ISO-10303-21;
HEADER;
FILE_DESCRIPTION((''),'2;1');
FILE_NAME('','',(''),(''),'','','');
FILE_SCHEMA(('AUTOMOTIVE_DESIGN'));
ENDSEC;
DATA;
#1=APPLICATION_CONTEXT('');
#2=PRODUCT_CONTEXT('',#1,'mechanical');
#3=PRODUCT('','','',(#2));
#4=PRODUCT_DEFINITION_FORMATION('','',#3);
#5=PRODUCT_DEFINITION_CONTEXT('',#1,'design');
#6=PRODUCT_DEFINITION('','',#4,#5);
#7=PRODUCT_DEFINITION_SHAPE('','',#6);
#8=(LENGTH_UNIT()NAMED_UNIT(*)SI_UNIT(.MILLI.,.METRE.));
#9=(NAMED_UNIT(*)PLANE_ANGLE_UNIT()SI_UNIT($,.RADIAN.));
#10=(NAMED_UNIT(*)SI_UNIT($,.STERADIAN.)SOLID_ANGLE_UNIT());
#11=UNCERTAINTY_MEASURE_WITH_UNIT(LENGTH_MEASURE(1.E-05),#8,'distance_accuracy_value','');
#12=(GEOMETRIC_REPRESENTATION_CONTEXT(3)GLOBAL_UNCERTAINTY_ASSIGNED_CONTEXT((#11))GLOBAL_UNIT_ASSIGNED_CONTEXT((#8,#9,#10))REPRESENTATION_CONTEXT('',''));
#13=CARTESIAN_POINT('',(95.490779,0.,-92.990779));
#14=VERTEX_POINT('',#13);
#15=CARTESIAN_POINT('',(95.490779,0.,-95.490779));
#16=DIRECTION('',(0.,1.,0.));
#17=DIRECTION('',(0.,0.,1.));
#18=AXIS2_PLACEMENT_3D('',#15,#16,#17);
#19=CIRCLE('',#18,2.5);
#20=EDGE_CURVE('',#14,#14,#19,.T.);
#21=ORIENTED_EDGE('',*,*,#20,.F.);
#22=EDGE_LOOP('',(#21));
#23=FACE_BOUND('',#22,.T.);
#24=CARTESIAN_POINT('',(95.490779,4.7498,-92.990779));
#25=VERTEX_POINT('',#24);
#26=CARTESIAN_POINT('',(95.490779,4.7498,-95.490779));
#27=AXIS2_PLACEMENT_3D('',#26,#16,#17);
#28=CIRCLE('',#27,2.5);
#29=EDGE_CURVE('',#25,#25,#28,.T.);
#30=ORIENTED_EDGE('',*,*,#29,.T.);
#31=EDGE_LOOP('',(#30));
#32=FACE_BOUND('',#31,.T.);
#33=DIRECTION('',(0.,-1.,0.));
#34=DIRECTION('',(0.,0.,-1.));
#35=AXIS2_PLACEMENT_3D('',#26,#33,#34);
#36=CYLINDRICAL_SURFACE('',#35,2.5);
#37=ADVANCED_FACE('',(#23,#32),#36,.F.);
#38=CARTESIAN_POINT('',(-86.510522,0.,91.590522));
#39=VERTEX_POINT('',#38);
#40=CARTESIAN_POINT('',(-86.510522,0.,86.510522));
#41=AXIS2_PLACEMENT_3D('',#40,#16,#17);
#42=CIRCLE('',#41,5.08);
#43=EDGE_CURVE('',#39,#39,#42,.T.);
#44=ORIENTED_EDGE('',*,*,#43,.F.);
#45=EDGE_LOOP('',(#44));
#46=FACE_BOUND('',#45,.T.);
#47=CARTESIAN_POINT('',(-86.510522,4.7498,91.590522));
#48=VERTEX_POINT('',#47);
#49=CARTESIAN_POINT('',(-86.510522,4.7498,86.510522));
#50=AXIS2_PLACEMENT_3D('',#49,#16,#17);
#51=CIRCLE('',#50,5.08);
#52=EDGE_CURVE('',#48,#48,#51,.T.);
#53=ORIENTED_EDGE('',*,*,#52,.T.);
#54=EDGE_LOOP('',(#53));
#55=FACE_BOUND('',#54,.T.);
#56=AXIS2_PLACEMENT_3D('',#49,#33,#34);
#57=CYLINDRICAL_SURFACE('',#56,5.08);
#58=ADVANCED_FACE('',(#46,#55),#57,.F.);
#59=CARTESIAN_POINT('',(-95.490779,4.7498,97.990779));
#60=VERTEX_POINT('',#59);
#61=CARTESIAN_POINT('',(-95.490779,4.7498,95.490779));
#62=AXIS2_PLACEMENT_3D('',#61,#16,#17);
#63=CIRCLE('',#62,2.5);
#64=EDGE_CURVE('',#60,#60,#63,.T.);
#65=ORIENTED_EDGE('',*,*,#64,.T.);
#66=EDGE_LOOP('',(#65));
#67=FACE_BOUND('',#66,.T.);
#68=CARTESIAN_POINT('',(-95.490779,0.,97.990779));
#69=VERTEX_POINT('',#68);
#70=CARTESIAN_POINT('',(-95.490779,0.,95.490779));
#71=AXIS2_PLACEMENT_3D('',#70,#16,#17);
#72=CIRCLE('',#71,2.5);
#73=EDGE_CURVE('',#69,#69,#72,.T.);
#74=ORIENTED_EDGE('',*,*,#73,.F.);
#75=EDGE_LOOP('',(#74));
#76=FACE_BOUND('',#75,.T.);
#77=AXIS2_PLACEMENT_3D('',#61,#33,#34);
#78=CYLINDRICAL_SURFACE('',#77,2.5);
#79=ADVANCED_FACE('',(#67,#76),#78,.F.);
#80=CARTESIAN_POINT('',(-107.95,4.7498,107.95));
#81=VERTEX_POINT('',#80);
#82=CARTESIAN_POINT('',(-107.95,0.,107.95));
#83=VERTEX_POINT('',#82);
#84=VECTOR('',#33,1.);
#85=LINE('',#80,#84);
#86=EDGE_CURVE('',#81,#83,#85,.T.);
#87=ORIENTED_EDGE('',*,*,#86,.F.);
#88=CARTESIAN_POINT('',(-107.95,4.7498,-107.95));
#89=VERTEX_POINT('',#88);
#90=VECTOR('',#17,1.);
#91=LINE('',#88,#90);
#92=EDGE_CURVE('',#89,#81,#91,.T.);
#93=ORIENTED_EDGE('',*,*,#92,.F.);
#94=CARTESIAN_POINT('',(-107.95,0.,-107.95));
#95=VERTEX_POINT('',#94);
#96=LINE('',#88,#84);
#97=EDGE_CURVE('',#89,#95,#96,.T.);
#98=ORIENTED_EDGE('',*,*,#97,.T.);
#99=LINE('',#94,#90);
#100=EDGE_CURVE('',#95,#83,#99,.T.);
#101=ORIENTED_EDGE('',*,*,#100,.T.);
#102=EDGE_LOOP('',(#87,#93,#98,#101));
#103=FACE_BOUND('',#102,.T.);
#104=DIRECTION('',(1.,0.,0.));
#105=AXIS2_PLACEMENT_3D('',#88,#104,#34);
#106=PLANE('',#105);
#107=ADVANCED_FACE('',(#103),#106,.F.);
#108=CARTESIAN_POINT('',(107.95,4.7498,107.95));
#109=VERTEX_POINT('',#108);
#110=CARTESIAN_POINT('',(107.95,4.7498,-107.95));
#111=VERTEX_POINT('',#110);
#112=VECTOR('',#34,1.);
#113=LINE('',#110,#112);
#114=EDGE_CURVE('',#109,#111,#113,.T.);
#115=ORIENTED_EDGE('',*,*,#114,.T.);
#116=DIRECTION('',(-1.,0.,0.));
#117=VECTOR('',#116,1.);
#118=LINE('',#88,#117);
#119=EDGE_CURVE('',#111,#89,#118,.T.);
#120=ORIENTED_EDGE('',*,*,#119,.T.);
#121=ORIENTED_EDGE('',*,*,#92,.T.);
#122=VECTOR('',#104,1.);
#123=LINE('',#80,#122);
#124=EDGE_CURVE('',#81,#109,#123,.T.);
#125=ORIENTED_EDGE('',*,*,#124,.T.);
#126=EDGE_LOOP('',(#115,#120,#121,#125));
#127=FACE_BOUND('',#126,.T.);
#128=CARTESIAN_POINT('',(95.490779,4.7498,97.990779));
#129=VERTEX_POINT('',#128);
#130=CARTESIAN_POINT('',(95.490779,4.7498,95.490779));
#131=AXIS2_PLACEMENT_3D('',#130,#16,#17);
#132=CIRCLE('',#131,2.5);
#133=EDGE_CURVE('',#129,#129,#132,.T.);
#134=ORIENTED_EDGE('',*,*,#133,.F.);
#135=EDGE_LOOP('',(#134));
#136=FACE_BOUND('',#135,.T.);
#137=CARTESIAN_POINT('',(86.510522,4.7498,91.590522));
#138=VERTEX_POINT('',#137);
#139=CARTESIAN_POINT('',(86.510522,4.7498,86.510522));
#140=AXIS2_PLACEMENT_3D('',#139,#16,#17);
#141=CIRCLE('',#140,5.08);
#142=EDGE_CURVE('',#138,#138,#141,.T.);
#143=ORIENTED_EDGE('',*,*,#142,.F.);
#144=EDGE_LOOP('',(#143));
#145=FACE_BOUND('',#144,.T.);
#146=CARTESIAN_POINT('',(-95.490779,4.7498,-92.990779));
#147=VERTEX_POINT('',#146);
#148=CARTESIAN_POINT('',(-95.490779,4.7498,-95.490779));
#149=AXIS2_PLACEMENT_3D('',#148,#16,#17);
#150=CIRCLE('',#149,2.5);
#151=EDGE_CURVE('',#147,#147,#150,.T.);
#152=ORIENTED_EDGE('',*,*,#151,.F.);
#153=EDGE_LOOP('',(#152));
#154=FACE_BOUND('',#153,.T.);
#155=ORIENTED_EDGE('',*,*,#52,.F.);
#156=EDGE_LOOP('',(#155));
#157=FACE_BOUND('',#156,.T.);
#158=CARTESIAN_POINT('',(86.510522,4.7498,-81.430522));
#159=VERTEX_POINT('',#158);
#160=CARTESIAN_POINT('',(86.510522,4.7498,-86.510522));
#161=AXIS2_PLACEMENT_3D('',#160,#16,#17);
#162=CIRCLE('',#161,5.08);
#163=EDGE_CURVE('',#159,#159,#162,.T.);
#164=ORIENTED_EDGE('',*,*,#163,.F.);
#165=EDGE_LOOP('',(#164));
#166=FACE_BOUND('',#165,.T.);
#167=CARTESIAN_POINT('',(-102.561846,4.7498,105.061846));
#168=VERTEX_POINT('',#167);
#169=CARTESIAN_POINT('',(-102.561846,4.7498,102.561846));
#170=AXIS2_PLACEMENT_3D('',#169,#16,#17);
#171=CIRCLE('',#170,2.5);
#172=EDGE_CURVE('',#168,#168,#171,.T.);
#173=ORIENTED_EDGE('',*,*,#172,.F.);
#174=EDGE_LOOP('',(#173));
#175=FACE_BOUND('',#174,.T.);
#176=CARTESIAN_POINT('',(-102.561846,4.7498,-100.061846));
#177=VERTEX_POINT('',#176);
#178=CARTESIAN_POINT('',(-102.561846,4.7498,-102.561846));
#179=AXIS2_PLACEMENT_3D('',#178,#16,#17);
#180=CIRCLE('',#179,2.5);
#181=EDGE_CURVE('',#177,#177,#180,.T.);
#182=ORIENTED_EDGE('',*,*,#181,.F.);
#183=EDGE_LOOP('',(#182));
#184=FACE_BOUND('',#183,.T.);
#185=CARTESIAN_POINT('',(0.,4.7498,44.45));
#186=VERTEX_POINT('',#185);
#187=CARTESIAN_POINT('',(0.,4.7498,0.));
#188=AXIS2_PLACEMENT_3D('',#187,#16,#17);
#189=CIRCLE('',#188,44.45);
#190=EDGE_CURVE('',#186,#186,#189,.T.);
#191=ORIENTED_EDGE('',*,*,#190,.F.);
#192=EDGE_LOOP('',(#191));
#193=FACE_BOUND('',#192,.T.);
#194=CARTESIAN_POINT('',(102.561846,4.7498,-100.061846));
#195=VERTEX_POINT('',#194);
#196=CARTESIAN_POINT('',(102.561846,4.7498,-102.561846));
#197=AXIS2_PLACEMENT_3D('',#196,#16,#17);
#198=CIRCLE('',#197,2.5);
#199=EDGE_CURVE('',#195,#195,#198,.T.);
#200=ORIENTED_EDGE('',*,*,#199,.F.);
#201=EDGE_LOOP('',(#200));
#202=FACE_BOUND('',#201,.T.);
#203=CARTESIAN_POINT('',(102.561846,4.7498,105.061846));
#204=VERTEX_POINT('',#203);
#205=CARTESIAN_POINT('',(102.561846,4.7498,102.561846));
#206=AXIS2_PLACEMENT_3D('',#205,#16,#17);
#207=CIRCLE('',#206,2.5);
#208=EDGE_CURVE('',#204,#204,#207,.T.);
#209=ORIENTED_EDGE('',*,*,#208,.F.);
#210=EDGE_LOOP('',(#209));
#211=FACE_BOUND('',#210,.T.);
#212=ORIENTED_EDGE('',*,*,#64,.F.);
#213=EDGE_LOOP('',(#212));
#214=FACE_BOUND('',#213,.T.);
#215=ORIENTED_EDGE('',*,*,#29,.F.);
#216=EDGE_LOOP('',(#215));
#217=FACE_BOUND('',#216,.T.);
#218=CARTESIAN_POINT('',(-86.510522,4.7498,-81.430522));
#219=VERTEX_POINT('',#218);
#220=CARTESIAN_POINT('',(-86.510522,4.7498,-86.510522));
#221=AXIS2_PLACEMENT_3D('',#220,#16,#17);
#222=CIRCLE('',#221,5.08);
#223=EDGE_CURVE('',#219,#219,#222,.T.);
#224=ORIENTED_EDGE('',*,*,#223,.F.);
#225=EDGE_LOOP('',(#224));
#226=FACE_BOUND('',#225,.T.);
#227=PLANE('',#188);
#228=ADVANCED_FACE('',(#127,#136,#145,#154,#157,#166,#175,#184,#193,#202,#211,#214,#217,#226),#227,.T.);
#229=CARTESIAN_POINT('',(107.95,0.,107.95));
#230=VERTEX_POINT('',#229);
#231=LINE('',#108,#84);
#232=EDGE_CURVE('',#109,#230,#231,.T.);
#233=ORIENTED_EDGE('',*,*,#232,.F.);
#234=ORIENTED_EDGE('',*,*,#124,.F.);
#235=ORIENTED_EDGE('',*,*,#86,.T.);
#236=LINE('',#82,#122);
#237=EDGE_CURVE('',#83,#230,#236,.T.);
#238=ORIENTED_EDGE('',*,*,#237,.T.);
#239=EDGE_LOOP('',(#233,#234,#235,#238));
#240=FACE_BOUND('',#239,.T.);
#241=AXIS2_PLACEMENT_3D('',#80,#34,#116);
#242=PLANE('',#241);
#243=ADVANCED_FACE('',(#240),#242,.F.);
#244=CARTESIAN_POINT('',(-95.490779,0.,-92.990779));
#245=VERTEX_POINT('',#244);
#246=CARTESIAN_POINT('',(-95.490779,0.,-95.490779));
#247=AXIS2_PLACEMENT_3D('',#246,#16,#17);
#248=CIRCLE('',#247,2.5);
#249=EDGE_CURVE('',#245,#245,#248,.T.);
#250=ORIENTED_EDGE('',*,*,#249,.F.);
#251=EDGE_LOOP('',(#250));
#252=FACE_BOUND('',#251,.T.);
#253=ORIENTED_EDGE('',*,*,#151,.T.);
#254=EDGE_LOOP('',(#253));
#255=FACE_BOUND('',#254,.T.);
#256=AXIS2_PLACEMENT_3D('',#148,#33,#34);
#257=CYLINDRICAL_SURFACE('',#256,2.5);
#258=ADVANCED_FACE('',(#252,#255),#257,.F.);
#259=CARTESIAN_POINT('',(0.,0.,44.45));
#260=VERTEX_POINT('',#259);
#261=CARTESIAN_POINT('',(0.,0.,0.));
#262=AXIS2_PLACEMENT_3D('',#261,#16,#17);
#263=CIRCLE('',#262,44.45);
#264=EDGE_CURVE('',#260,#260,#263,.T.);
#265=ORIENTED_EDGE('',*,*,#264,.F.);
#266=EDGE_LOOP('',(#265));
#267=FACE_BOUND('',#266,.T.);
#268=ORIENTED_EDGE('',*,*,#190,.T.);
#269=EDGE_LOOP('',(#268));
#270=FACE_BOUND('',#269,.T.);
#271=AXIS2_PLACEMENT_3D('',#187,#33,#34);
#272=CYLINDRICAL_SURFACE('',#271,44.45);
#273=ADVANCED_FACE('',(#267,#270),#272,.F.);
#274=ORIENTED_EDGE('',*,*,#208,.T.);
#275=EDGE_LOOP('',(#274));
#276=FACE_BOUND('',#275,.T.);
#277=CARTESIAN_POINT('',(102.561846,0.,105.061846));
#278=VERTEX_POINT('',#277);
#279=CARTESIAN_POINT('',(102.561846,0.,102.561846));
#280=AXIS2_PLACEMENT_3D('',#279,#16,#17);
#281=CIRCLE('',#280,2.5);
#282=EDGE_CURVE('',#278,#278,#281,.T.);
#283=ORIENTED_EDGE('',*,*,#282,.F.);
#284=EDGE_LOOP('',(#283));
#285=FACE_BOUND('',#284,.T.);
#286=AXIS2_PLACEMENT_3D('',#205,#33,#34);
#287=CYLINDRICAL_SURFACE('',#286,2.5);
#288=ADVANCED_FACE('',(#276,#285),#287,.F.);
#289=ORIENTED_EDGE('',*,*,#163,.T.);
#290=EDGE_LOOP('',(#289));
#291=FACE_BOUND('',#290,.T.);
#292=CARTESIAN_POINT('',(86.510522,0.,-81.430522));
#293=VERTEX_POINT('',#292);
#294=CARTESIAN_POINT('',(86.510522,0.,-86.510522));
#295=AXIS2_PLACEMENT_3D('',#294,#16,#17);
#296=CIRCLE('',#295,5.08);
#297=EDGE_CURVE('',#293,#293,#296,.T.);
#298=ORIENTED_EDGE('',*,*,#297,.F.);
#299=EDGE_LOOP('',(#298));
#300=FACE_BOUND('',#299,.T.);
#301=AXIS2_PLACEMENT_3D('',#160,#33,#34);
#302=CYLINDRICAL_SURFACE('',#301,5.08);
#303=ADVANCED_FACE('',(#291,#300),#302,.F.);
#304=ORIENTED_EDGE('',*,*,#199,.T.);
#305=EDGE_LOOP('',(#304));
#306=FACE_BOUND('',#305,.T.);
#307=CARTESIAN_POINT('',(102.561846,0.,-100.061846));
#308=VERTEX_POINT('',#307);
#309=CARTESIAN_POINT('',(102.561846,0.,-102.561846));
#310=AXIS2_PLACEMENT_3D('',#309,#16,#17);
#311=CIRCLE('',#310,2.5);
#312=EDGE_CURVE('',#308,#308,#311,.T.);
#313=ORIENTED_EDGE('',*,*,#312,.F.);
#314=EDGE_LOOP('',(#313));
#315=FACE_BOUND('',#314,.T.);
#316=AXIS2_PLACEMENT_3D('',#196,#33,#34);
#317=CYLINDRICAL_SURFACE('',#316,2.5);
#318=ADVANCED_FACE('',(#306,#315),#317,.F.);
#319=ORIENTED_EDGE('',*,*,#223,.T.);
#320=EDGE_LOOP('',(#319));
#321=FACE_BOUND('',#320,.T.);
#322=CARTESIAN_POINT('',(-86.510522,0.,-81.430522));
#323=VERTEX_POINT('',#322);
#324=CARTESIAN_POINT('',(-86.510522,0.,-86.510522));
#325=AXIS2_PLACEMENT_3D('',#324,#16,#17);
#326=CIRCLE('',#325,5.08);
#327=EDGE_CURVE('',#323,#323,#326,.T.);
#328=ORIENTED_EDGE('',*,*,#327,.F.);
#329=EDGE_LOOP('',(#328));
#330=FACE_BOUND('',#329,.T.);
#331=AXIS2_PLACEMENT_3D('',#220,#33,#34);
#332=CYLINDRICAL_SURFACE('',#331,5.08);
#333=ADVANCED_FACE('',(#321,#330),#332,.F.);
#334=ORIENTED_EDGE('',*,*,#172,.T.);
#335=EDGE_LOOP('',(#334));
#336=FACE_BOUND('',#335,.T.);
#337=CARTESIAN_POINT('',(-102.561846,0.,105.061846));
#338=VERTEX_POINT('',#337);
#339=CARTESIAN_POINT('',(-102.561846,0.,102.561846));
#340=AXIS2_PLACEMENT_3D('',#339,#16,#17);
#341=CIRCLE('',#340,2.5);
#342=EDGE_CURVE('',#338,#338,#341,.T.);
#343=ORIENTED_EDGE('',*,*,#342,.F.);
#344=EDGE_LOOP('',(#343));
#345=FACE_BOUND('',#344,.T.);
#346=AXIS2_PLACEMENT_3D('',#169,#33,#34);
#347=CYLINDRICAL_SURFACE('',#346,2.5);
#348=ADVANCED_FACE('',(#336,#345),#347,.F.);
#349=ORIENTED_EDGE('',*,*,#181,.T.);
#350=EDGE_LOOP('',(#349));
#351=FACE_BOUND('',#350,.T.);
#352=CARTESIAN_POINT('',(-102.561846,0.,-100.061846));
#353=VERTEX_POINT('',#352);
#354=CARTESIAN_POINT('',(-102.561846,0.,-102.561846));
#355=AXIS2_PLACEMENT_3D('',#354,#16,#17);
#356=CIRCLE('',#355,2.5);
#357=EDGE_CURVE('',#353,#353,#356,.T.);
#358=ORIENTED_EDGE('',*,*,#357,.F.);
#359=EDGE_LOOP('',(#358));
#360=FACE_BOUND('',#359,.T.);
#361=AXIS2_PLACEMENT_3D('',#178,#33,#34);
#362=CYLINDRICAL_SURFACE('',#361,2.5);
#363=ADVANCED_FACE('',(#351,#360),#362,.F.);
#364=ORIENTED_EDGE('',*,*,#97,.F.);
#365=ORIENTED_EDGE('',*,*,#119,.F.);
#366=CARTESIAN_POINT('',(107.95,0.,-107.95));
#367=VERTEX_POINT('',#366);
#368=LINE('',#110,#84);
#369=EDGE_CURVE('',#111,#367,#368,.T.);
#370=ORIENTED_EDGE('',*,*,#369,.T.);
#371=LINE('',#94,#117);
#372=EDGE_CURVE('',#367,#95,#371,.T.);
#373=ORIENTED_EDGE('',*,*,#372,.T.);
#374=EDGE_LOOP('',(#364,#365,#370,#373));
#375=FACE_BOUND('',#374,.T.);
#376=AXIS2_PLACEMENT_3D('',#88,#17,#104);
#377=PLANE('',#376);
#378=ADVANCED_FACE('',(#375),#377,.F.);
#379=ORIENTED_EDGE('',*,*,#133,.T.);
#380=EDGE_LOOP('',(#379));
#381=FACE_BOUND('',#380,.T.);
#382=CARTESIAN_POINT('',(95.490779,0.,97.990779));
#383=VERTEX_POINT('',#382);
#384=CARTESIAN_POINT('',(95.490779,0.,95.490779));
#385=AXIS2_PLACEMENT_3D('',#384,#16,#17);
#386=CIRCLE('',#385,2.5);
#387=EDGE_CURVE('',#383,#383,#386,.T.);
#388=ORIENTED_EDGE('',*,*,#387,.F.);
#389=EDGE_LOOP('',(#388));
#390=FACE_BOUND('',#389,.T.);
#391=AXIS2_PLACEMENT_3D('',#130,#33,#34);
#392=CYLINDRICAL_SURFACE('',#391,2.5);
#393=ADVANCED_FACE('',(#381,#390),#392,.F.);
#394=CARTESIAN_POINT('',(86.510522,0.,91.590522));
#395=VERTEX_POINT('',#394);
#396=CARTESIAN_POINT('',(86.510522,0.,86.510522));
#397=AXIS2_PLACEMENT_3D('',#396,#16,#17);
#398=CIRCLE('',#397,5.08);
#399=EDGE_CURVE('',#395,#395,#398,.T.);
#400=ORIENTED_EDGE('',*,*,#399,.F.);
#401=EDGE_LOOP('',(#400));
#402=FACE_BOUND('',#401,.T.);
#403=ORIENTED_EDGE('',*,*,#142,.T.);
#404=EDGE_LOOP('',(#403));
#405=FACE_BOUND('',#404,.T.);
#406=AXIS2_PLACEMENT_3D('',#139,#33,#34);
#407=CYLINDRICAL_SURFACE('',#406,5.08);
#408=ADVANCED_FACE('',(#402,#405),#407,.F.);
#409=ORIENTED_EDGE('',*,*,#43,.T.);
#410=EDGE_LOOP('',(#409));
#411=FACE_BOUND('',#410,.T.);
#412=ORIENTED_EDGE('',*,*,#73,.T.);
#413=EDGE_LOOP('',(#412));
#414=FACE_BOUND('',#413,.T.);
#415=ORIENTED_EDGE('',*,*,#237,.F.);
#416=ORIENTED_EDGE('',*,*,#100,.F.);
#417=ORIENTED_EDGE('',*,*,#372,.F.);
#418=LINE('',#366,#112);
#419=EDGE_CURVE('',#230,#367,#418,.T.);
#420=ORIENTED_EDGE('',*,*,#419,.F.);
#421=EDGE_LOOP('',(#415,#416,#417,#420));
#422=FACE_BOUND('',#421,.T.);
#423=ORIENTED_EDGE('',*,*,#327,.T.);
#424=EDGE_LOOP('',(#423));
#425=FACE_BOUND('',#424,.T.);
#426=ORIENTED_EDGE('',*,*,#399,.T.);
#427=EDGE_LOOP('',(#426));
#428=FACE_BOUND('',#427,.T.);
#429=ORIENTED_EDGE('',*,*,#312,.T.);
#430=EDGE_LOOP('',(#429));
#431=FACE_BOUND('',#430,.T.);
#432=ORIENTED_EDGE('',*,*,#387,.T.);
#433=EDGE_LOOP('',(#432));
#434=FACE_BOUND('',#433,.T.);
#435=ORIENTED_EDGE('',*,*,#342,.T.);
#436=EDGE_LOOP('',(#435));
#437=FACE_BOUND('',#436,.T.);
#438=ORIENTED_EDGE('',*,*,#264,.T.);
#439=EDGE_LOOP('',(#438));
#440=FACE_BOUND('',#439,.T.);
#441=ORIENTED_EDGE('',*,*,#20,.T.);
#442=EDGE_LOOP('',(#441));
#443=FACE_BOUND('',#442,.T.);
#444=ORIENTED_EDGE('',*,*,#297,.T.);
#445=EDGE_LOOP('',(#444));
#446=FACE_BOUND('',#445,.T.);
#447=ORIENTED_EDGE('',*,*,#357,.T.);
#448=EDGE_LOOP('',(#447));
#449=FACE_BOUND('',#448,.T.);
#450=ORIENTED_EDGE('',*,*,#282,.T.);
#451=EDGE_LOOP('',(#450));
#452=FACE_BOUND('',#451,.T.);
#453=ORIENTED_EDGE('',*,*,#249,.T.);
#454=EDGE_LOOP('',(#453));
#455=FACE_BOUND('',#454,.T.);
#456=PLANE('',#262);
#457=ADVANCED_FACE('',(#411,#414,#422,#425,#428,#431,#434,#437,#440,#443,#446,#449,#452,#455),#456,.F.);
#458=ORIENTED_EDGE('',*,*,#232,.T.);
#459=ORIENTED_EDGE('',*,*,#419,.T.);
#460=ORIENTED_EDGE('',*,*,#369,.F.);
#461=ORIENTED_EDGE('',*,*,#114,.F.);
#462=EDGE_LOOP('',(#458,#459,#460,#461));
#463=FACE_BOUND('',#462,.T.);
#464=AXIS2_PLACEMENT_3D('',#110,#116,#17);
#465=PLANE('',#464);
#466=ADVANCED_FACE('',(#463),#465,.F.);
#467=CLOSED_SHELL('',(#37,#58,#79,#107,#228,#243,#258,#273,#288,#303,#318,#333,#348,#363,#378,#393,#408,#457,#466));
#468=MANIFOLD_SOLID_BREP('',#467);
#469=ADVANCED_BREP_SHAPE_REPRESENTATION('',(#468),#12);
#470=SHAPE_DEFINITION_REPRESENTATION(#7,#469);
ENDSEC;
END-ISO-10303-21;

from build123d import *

# Parameters (mm, degrees)
SKETCH1_W           = 215.9
SKETCH1_H           = 215.9
SKETCH1_R           = 2.5
SKETCH1_R_2         = 5.08
SKETCH1_R_3         = 44.45
BOSS_EXTRUDE1_DEPTH = 4.7498


with BuildPart() as part:
    # Sketch1 → Boss-Extrude1 (new body)
    with BuildSketch(Plane(origin=(0, 0, 0), x_dir=(1, 0, 0), z_dir=(0, 1, 0))):
        Rectangle(SKETCH1_W, SKETCH1_H)
        with Locations(Location((95.490778515, -95.490778515, 0), (0, 0, 270))):
            Circle(SKETCH1_R, mode=Mode.SUBTRACT)
        with Locations(Location((102.561846327, -102.561846327, 0), (0, 0, 270))):
            Circle(SKETCH1_R, mode=Mode.SUBTRACT)
        with Locations(Location((-95.490778515, -95.490778515, 0), (0, 0, 270))):
            Circle(SKETCH1_R, mode=Mode.SUBTRACT)
        with Locations(Location((-102.561846327, -102.561846327, 0), (0, 0, 270))):
            Circle(SKETCH1_R, mode=Mode.SUBTRACT)
        with Locations(Location((-95.490778515, 95.490778515, 0), (0, 0, 270))):
            Circle(SKETCH1_R, mode=Mode.SUBTRACT)
        with Locations(Location((-102.561846327, 102.561846327, 0), (0, 0, 270))):
            Circle(SKETCH1_R, mode=Mode.SUBTRACT)
        with Locations(Location((95.490778515, 95.490778515, 0), (0, 0, 270))):
            Circle(SKETCH1_R, mode=Mode.SUBTRACT)
        with Locations(Location((102.561846327, 102.561846327, 0), (0, 0, 270))):
            Circle(SKETCH1_R, mode=Mode.SUBTRACT)
        with Locations(Location((86.510522394, -86.510522394, 0), (0, 0, 270))):
            Circle(SKETCH1_R_2, mode=Mode.SUBTRACT)
        with Locations(Location((-86.510522394, -86.510522394, 0), (0, 0, 270))):
            Circle(SKETCH1_R_2, mode=Mode.SUBTRACT)
        with Locations(Location((-86.510522394, 86.510522394, 0), (0, 0, 270))):
            Circle(SKETCH1_R_2, mode=Mode.SUBTRACT)
        with Locations(Location((86.510522394, 86.510522394, 0), (0, 0, 270))):
            Circle(SKETCH1_R_2, mode=Mode.SUBTRACT)
        with Locations(Location((0, 0, 0), (0, 0, 270))):
            Circle(SKETCH1_R_3, mode=Mode.SUBTRACT)
    extrude(amount=BOSS_EXTRUDE1_DEPTH)


solid = part.part
